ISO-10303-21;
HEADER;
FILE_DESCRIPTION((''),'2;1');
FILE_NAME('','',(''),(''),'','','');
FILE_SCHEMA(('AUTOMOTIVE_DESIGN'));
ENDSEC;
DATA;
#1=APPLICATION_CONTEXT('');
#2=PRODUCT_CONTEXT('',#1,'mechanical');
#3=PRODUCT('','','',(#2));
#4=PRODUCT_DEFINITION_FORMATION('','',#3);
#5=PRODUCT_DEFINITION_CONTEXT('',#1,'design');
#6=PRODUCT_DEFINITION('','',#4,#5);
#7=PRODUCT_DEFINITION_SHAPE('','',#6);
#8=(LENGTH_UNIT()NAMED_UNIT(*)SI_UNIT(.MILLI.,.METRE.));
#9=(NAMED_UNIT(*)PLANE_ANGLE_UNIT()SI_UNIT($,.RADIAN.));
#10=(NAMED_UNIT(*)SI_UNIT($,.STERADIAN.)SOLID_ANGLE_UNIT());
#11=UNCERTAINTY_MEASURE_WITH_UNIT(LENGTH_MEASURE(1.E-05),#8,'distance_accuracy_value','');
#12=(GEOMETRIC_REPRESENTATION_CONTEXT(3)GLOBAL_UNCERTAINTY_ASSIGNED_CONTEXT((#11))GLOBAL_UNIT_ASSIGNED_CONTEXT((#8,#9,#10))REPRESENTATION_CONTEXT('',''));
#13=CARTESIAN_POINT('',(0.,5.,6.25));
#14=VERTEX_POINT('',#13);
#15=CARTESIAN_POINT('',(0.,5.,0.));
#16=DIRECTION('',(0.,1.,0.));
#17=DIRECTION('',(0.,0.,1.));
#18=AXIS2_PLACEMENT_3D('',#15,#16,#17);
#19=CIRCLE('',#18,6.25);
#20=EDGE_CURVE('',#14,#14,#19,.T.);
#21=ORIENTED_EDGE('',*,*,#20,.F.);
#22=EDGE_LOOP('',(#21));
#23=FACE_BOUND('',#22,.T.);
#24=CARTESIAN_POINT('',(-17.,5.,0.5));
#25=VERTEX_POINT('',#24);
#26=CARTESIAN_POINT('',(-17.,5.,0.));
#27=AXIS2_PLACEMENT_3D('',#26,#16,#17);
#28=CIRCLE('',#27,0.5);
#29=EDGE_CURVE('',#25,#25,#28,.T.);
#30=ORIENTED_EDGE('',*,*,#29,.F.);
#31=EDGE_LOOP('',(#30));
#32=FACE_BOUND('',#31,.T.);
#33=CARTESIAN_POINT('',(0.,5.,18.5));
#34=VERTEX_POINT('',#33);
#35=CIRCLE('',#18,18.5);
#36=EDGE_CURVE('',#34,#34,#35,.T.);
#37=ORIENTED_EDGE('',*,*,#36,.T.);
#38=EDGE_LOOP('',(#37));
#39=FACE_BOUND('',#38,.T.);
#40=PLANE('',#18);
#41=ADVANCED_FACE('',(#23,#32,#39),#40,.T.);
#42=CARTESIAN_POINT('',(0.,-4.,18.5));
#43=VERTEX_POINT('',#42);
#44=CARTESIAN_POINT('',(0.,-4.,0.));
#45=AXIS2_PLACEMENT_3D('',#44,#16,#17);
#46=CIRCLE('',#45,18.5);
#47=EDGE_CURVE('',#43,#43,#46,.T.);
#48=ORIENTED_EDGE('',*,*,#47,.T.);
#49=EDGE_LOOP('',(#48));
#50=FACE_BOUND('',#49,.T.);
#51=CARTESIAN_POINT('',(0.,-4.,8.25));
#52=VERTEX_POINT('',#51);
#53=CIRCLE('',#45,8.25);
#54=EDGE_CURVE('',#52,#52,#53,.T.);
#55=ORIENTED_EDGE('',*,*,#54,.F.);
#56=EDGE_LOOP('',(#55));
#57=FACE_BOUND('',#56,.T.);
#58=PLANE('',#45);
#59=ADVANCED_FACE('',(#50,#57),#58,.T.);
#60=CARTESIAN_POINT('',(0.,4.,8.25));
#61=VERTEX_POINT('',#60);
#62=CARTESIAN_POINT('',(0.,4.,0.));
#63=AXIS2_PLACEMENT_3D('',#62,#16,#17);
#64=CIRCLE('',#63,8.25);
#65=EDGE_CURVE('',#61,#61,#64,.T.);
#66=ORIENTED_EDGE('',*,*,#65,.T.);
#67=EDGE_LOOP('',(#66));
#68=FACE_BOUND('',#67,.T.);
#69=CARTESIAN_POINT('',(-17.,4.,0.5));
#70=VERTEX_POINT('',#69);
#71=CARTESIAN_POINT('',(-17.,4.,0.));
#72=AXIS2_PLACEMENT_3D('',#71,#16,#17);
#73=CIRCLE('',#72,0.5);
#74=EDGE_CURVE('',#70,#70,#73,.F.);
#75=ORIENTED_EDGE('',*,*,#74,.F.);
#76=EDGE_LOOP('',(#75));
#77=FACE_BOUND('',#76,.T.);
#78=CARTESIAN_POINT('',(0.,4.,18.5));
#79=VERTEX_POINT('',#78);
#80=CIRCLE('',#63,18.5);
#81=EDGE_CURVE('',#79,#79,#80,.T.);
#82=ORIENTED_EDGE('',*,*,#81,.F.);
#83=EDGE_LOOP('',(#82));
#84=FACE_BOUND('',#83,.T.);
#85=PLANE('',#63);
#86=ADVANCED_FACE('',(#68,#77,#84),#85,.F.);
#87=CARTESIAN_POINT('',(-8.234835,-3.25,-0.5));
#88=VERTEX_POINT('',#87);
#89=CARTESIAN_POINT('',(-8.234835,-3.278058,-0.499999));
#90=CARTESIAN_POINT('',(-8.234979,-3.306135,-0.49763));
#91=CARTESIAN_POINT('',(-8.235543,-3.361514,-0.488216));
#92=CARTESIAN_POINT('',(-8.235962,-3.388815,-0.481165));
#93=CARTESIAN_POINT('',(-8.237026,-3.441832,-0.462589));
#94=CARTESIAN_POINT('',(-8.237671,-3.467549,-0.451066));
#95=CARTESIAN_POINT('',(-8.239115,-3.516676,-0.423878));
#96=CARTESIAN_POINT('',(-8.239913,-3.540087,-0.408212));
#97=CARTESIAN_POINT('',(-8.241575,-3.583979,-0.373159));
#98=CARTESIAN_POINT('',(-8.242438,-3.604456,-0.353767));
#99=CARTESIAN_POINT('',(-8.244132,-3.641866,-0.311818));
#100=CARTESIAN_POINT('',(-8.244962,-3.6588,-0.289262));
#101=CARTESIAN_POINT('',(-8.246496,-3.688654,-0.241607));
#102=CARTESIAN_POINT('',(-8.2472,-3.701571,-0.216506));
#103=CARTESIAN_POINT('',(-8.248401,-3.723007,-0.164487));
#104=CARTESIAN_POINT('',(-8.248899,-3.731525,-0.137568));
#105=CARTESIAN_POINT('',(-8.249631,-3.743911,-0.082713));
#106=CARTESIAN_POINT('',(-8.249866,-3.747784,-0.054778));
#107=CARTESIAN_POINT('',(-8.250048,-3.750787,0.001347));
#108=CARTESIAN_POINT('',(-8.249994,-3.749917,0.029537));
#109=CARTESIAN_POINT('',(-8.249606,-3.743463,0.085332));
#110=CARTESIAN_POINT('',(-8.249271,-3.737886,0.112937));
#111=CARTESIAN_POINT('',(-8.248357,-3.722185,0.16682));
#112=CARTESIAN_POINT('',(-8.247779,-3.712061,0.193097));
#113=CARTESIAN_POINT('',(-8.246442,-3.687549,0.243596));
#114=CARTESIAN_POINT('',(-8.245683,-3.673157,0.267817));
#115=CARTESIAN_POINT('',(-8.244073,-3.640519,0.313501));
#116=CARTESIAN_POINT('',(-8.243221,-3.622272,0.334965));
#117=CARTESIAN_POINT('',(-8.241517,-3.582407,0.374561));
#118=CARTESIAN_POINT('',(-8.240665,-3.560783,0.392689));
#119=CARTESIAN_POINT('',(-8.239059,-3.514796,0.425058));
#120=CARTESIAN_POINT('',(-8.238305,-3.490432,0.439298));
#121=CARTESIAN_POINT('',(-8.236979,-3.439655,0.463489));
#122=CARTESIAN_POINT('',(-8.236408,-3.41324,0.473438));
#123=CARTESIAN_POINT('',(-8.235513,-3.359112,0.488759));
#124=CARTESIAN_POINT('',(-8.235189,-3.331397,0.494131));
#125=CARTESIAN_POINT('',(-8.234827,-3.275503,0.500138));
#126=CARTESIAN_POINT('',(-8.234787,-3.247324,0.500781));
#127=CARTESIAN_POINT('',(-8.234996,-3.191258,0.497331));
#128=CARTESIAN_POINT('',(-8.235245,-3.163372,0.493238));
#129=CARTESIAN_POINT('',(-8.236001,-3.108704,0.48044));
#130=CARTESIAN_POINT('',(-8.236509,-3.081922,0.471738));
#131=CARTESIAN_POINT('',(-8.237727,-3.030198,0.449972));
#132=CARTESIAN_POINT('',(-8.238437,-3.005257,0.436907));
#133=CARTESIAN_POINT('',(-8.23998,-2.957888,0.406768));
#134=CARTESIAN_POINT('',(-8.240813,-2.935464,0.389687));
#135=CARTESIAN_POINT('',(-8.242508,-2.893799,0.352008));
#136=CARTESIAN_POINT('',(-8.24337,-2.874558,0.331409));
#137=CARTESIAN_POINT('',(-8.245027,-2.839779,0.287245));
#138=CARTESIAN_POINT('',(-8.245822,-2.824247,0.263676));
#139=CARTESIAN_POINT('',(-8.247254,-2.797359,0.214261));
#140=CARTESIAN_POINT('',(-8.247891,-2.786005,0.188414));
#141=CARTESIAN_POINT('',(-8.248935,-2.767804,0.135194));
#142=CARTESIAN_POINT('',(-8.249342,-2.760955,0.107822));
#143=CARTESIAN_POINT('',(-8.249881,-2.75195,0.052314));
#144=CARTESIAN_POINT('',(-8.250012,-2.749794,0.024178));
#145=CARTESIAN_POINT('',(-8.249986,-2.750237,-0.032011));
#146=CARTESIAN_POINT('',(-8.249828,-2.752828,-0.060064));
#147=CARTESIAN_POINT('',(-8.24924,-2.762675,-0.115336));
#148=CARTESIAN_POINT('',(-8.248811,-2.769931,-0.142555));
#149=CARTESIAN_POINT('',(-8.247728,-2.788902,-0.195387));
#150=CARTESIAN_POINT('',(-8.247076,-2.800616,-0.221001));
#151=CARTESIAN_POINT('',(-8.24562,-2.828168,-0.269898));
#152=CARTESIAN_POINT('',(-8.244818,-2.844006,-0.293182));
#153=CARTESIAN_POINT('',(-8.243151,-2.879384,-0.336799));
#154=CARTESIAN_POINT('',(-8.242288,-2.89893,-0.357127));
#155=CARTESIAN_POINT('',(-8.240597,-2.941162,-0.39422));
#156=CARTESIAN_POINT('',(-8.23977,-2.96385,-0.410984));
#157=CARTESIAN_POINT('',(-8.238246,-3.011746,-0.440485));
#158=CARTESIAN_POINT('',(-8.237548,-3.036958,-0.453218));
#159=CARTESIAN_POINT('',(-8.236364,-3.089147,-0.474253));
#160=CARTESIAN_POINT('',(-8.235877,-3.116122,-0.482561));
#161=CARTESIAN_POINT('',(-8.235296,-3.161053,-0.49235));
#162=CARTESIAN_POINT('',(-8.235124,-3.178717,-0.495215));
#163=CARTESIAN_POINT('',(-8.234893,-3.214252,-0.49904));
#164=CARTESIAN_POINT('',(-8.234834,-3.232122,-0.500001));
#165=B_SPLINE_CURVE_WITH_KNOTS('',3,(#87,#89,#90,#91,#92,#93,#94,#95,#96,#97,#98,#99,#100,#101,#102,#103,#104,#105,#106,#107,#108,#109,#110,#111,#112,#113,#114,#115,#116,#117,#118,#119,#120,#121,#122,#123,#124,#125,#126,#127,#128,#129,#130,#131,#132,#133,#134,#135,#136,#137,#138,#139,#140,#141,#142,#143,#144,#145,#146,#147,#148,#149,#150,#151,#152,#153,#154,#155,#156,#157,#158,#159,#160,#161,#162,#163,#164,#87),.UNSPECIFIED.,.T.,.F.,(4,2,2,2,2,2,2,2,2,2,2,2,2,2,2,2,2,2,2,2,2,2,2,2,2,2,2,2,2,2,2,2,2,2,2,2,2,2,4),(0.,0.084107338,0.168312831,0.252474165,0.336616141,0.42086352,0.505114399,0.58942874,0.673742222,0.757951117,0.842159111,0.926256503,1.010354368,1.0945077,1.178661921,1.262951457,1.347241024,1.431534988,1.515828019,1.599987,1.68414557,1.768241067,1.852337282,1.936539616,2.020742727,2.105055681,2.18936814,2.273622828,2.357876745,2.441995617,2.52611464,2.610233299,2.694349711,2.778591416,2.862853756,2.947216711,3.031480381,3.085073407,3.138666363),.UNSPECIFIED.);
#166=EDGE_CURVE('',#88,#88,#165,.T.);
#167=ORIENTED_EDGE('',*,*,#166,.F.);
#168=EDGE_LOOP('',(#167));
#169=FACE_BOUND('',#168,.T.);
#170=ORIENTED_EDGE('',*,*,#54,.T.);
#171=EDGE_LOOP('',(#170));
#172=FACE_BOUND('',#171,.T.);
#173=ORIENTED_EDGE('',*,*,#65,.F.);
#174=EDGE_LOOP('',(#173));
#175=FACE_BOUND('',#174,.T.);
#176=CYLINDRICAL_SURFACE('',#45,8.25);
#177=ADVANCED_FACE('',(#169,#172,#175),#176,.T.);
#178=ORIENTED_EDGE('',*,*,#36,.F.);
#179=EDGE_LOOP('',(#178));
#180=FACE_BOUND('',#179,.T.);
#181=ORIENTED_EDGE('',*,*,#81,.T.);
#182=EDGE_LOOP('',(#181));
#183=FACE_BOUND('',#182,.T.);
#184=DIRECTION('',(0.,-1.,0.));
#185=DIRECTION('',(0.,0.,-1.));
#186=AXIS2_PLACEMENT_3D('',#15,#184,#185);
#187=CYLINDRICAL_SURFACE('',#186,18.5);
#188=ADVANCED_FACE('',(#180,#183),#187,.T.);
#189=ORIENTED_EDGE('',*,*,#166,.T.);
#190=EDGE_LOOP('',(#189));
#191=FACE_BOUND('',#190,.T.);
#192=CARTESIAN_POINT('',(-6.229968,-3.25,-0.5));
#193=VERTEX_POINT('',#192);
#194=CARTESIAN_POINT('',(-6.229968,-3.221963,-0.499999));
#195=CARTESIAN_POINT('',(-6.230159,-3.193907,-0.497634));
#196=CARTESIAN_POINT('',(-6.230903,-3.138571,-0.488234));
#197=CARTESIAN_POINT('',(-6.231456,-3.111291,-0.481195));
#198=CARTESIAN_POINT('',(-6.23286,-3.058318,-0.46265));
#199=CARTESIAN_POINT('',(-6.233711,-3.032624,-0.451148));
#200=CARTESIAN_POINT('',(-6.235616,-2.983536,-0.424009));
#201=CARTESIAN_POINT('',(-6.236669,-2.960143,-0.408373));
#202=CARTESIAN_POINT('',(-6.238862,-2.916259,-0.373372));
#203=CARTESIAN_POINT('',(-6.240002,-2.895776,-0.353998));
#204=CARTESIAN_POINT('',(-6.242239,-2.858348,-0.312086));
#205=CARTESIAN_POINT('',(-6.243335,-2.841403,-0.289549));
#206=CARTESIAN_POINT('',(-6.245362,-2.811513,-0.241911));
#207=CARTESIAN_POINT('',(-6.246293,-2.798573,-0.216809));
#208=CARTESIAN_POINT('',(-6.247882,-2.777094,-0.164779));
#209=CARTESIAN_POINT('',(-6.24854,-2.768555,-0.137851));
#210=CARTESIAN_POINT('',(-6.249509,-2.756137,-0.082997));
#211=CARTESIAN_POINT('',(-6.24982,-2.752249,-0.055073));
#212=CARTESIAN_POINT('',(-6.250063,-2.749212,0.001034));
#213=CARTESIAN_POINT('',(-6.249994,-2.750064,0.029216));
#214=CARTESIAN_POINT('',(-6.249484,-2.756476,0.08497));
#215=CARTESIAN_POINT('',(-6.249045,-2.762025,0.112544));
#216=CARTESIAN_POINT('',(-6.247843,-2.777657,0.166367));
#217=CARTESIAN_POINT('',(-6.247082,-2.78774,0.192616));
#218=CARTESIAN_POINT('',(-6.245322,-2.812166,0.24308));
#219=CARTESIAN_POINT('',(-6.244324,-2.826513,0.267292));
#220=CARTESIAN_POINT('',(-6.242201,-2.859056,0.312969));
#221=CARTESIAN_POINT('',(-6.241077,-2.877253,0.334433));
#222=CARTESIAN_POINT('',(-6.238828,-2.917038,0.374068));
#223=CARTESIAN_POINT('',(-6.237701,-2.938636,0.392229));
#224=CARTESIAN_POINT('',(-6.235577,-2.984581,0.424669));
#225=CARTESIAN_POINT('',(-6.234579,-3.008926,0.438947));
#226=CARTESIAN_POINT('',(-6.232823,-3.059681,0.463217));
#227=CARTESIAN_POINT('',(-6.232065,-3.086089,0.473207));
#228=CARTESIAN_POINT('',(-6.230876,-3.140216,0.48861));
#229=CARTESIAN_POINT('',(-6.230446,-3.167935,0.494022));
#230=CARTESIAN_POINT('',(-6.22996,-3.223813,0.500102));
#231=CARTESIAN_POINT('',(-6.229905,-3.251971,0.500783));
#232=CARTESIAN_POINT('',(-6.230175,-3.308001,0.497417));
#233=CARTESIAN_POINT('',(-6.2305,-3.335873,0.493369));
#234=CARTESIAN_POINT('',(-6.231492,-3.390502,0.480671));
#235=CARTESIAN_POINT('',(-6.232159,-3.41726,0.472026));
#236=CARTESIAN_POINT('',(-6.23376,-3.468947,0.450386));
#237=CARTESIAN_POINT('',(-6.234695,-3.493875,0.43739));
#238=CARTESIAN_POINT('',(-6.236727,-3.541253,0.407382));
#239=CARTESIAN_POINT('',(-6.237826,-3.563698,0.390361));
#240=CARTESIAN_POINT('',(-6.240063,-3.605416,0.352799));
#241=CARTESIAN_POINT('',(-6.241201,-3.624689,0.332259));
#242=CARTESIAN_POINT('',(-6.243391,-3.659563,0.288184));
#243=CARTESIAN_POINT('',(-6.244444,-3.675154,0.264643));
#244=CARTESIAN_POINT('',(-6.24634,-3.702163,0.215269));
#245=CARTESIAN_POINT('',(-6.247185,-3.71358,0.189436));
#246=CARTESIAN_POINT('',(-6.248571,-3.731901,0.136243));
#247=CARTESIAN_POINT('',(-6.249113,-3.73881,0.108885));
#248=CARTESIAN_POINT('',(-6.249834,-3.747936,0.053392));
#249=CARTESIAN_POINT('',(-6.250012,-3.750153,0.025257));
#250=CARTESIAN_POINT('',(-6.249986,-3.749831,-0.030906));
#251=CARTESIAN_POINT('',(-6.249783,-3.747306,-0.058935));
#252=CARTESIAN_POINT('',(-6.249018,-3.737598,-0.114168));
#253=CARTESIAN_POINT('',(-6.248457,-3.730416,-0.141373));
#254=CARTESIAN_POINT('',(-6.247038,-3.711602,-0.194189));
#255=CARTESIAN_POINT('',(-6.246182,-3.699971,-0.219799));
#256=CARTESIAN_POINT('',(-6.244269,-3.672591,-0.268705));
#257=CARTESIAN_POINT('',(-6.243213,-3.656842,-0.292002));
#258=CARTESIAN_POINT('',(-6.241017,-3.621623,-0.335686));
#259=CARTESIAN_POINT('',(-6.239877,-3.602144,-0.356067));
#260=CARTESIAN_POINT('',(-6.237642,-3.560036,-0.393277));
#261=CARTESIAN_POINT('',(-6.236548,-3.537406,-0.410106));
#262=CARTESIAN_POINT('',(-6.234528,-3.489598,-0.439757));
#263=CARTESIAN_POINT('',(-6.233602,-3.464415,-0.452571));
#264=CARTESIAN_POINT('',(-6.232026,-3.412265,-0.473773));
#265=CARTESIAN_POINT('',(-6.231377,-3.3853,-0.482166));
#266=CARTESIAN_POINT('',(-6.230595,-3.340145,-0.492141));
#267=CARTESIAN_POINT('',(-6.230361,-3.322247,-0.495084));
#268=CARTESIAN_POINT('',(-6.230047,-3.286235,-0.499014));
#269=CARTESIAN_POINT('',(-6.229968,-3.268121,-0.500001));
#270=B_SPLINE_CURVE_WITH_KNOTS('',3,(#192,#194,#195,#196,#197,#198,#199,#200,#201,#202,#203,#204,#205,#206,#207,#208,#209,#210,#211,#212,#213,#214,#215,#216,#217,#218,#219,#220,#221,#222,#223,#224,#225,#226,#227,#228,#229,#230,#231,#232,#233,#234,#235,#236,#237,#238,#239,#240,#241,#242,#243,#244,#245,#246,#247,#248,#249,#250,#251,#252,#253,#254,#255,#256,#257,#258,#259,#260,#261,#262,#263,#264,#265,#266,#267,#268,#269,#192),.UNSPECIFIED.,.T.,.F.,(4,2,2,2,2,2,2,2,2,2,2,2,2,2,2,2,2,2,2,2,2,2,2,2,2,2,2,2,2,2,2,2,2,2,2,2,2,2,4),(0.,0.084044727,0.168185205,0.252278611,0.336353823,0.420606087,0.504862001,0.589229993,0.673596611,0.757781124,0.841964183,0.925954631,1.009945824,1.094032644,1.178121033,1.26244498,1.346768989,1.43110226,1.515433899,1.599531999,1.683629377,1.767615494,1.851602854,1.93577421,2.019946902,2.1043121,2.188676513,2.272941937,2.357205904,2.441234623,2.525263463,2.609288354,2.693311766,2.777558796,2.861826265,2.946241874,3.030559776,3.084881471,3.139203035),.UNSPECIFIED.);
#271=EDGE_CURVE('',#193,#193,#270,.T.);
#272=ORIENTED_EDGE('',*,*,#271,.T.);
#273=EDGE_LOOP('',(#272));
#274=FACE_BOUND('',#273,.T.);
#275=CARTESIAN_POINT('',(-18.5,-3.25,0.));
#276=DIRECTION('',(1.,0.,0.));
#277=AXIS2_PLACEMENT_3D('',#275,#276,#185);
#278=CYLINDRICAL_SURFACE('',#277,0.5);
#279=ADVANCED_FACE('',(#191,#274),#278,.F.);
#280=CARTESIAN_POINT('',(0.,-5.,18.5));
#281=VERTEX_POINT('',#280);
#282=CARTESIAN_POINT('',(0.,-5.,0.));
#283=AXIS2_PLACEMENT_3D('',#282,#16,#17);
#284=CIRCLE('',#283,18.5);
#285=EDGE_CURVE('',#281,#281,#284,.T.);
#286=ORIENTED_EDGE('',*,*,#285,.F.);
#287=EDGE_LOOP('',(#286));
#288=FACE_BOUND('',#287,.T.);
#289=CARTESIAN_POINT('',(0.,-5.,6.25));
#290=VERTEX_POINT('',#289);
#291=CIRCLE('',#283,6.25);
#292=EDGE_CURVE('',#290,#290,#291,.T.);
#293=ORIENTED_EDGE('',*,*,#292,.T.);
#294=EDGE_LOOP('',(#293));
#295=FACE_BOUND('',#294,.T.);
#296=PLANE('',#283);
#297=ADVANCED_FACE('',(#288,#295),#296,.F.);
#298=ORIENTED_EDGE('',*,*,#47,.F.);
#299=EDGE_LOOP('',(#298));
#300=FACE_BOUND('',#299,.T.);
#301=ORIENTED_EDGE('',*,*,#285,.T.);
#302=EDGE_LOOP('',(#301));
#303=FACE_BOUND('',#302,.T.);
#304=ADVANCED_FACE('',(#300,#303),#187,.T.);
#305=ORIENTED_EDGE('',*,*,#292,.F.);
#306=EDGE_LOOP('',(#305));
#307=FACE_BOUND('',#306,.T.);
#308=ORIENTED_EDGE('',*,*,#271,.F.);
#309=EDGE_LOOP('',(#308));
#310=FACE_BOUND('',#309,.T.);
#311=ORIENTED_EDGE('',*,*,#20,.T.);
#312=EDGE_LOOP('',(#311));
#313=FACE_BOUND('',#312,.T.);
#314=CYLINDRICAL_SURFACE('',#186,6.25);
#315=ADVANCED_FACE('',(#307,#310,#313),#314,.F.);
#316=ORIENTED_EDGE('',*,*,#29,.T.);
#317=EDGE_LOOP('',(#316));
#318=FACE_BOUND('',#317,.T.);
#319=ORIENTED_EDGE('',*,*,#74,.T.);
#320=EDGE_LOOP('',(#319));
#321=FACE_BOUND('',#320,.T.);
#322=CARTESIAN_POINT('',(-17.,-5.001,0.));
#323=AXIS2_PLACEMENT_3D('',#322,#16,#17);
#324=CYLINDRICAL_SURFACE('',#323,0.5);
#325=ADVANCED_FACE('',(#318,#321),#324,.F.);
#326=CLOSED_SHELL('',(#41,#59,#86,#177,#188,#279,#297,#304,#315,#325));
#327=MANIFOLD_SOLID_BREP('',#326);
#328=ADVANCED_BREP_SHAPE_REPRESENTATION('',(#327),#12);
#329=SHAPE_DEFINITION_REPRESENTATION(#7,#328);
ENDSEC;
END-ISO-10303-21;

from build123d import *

# Parameters (mm, degrees)
SKETCH_2_R          = 6.75
SKETCH_2_R_2        = 6.25
EXTRUDE_1_DEPTH     = 5
SKETCH_3_R          = 18.5
SKETCH_3_R_2        = 6.75
EXTRUDE_4_DEPTH     = 5
SKETCH_6_R          = 18.5
SKETCH_6_R_2        = 8.25
CUT_EXTRUDE_3_DEPTH = 4
SKETCH_7_R          = 0.5
CUT_EXTRUDE_4_DEPTH = 27.636441204
CUT_EXTRUDE_5_REACH = 30.009
SKETCH_8_R          = 0.5


with BuildPart() as part:
    # 草图2 → 凸台-拉伸1 (new, symmetric)
    with BuildSketch(Plane(origin=(0, 0, 0), x_dir=(1, 0, 0), z_dir=(0, 1, 0))):
        with Locations(Location((0, 0, 0), (0, 0, 270))):
            Circle(SKETCH_2_R)
        with Locations(Location((0, 0, 0), (0, 0, 270))):
            Circle(SKETCH_2_R_2, mode=Mode.SUBTRACT)
    extrude(amount=EXTRUDE_1_DEPTH, both=True)

    # 草图3 → 凸台-拉伸4 (add, symmetric)
    with BuildSketch(Plane(origin=(0, 0, 0), x_dir=(1, 0, 0), z_dir=(0, 1, 0))):
        with Locations(Location((0, 0, 0), (0, 0, 270))):
            Circle(SKETCH_3_R)
        Circle(SKETCH_3_R_2, mode=Mode.SUBTRACT)
    extrude(amount=EXTRUDE_4_DEPTH, both=True)

    # 草图6 → 切除-拉伸3 (cut, symmetric)
    with BuildSketch(Plane(origin=(0, 0, 0), x_dir=(1, 0, 0), z_dir=(0, 1, 0))):
        with Locations(Location((0, 0, 0), (0, 0, 270))):
            Circle(SKETCH_6_R)
        with Locations(Location((0, 0, 0), (0, 0, 270))):
            Circle(SKETCH_6_R_2, mode=Mode.SUBTRACT)
    extrude(amount=CUT_EXTRUDE_3_DEPTH, both=True, mode=Mode.SUBTRACT)

    # 草图7 → 切除-拉伸4 (cut, through all)
    with BuildSketch(Plane(origin=(0, 0, 0), x_dir=(0, 0, -1), z_dir=(1, 0, 0))):
        with Locations((0, -3.25)):
            Circle(SKETCH_7_R)
    extrude(amount=-CUT_EXTRUDE_4_DEPTH, mode=Mode.SUBTRACT)

    # 草图8 → 切除-拉伸5 (cut, up to next)
    with BuildSketch(Plane(origin=(0, 5, 0), x_dir=(1, 0, 0), z_dir=(0, 1, 0)), mode=Mode.PRIVATE) as cut_extrude_5_sk1:
        with Locations(Location((-17, 0, 0), (0, 0, 270))):
            Circle(SKETCH_8_R)
    cut_extrude_5_tool1 = extrude(cut_extrude_5_sk1.sketch, amount=-CUT_EXTRUDE_5_REACH, mode=Mode.PRIVATE) & part.part
    add(cut_extrude_5_tool1.solids().sort_by_distance((-17, 5, 0))[0], mode=Mode.SUBTRACT)


solid = part.part
